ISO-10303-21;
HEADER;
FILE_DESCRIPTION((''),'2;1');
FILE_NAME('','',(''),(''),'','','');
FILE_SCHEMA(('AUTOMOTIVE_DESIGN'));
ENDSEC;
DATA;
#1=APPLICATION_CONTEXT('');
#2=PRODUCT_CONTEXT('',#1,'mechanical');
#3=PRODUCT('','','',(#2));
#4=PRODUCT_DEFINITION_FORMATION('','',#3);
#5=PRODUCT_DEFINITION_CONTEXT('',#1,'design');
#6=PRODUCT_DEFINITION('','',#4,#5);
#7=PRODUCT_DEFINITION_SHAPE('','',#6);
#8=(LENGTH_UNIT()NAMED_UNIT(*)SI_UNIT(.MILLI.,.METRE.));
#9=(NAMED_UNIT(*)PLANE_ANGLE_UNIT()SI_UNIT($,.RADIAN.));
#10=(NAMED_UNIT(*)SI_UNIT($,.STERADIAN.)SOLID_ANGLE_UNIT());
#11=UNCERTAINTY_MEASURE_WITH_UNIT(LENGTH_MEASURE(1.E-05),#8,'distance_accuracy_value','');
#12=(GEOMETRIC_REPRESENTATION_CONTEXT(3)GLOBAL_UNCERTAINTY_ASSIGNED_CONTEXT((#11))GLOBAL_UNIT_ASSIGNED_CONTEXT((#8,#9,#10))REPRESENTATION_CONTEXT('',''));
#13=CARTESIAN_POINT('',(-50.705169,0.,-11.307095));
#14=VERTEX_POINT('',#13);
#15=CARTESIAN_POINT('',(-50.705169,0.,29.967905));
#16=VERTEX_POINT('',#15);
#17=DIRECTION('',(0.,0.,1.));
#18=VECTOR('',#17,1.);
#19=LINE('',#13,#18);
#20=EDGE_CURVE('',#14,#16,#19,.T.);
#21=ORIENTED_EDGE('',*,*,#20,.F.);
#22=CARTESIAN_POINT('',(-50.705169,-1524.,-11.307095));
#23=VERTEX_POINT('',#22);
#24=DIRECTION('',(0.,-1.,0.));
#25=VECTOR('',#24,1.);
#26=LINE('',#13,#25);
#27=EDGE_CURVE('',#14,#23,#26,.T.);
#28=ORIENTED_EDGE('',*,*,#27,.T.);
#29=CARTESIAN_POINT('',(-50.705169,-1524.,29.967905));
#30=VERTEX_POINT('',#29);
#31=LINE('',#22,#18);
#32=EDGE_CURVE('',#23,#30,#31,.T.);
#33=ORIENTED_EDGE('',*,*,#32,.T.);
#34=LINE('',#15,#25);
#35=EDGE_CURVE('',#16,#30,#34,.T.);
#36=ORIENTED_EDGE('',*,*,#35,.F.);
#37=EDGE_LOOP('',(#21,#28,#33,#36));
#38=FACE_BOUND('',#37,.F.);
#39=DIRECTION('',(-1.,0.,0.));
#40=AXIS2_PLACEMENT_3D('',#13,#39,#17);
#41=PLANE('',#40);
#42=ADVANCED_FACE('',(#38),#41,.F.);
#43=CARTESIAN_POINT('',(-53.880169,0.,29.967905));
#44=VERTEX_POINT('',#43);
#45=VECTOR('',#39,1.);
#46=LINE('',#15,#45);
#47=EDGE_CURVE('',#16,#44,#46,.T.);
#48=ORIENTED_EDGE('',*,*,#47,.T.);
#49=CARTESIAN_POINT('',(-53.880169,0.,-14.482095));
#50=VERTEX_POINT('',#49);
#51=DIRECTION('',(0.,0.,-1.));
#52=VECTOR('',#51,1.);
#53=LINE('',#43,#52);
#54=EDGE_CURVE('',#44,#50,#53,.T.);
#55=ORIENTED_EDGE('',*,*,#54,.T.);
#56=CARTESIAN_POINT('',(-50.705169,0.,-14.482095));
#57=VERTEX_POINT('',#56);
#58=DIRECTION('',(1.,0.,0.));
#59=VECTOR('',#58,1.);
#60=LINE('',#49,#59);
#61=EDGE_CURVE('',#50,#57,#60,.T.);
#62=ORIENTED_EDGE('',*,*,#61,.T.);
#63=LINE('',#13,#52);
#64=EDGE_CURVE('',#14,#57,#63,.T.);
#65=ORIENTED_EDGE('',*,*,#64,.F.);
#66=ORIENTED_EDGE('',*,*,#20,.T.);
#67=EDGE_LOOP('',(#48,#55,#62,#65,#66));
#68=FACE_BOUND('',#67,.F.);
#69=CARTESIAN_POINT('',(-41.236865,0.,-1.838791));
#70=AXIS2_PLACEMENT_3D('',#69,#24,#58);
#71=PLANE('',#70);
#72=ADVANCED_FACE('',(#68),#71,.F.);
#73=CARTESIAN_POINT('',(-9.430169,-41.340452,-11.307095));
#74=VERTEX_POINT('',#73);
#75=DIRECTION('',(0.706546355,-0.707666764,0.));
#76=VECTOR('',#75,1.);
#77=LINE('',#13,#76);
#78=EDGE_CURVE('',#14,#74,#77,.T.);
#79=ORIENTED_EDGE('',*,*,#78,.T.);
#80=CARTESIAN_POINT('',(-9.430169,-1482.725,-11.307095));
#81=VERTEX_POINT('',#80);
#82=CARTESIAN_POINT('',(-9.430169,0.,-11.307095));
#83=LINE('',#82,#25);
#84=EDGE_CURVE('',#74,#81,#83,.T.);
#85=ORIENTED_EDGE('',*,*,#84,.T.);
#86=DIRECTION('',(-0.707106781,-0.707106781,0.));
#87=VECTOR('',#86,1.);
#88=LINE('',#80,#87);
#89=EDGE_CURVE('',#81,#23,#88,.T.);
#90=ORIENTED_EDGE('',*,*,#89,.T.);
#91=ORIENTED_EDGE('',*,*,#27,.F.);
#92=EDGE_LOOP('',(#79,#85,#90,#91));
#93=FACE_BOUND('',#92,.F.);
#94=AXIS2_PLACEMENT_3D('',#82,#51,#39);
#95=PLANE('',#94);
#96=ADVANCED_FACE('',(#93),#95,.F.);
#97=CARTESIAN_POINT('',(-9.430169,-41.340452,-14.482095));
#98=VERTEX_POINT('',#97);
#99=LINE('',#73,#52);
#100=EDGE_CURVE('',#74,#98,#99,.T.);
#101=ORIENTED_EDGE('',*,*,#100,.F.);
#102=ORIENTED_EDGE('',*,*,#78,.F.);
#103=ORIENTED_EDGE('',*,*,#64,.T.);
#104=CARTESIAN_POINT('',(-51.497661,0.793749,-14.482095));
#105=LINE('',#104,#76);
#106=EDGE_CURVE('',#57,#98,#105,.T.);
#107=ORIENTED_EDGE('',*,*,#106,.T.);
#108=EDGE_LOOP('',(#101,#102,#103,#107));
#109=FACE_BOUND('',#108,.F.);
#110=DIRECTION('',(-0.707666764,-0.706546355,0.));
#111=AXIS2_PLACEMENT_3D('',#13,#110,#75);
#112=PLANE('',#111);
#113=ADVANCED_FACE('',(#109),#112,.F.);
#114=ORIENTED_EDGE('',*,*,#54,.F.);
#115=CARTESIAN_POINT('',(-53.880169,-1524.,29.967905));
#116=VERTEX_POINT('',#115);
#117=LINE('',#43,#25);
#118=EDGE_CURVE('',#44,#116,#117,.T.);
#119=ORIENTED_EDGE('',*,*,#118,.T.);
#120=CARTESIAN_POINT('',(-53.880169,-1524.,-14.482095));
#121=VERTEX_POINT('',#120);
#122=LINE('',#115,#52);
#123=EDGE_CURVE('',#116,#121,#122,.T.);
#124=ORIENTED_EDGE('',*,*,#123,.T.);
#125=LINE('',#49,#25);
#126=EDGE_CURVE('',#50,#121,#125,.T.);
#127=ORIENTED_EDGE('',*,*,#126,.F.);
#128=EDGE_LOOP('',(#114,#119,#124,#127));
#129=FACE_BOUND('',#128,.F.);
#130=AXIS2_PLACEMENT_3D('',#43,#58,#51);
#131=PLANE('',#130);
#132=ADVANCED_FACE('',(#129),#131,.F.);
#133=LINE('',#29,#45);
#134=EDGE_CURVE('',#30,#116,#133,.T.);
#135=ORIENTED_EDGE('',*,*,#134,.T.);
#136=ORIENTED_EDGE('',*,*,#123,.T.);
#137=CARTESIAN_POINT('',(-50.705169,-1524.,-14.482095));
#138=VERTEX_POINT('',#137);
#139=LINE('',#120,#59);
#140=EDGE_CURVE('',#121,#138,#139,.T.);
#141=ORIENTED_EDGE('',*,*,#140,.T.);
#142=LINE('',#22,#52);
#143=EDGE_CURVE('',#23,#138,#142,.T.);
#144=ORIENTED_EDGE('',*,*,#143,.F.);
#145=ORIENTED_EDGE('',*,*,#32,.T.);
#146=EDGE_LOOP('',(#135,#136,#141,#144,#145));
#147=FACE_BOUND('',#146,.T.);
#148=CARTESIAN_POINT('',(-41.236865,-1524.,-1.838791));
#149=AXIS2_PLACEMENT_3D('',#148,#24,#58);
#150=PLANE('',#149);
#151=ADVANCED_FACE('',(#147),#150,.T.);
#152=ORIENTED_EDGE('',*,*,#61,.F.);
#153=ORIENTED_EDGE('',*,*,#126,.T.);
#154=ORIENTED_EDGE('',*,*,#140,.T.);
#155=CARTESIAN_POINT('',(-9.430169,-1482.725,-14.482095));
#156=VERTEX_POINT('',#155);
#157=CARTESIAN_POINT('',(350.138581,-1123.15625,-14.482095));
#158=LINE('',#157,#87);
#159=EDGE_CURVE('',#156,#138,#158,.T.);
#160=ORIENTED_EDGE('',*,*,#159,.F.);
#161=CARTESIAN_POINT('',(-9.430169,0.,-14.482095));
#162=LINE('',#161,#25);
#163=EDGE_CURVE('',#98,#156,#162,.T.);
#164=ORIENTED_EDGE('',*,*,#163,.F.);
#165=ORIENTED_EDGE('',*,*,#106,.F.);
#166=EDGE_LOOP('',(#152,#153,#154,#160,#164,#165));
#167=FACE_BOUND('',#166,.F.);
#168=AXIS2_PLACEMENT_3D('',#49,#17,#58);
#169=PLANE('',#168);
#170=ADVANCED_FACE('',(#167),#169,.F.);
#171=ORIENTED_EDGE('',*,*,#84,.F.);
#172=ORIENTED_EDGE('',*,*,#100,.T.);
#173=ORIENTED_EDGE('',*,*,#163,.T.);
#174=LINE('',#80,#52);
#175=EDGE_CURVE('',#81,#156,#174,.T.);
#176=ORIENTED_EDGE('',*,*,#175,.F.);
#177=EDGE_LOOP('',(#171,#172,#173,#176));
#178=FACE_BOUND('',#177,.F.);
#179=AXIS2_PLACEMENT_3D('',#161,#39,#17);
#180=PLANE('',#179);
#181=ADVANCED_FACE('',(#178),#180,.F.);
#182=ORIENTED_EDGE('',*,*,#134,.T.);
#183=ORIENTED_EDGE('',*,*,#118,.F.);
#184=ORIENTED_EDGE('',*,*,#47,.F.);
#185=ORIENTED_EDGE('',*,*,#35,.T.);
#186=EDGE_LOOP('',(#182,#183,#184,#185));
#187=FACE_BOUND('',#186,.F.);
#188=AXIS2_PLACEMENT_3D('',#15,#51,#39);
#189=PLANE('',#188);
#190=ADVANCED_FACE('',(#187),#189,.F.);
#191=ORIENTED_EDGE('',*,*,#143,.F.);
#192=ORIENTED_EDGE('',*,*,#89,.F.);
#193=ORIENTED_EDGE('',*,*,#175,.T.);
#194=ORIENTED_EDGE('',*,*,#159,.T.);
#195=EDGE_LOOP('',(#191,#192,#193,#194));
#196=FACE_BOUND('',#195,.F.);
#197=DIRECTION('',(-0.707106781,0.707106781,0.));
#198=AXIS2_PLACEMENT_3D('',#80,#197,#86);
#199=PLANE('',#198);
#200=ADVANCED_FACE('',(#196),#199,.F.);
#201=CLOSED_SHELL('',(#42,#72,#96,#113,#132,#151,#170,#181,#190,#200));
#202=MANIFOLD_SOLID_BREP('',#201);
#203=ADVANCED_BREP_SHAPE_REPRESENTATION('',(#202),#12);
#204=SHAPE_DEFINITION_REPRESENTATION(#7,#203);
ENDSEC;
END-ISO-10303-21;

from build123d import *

# Parameters (mm, degrees)
F1_DEPTH = 1524
F3_DEPTH = 25.4
F5_DEPTH = 25.4


with BuildPart() as f1:
    # F0 (on Front) → F1 (new body)
    with BuildSketch(Plane.XZ):
        Polygon((-50.705169, 29.967905), (-53.880169, 29.967905), (-53.880169, -14.482095), (-9.430169, -14.482095), (-9.430169, -11.307095), (-50.705169, -11.307095), align=None)
    extrude(amount=F1_DEPTH)

    # F2 (on face) → F3 (cut)
    with BuildSketch(Plane.XY.offset(-11.307095)):
        Polygon((-50.705169, 0), (-9.430169, -41.340452), (-9.430169, 0), align=None)
    extrude(amount=-F3_DEPTH, mode=Mode.SUBTRACT)

    # F4 (on face) → F5 (cut)
    with BuildSketch(Plane.XY.offset(-11.307095)):
        Polygon((-9.430169, -1524), (-9.430169, -1482.725), (-50.705169, -1524), align=None)
    extrude(amount=-F5_DEPTH, mode=Mode.SUBTRACT)


solid = f1.part
